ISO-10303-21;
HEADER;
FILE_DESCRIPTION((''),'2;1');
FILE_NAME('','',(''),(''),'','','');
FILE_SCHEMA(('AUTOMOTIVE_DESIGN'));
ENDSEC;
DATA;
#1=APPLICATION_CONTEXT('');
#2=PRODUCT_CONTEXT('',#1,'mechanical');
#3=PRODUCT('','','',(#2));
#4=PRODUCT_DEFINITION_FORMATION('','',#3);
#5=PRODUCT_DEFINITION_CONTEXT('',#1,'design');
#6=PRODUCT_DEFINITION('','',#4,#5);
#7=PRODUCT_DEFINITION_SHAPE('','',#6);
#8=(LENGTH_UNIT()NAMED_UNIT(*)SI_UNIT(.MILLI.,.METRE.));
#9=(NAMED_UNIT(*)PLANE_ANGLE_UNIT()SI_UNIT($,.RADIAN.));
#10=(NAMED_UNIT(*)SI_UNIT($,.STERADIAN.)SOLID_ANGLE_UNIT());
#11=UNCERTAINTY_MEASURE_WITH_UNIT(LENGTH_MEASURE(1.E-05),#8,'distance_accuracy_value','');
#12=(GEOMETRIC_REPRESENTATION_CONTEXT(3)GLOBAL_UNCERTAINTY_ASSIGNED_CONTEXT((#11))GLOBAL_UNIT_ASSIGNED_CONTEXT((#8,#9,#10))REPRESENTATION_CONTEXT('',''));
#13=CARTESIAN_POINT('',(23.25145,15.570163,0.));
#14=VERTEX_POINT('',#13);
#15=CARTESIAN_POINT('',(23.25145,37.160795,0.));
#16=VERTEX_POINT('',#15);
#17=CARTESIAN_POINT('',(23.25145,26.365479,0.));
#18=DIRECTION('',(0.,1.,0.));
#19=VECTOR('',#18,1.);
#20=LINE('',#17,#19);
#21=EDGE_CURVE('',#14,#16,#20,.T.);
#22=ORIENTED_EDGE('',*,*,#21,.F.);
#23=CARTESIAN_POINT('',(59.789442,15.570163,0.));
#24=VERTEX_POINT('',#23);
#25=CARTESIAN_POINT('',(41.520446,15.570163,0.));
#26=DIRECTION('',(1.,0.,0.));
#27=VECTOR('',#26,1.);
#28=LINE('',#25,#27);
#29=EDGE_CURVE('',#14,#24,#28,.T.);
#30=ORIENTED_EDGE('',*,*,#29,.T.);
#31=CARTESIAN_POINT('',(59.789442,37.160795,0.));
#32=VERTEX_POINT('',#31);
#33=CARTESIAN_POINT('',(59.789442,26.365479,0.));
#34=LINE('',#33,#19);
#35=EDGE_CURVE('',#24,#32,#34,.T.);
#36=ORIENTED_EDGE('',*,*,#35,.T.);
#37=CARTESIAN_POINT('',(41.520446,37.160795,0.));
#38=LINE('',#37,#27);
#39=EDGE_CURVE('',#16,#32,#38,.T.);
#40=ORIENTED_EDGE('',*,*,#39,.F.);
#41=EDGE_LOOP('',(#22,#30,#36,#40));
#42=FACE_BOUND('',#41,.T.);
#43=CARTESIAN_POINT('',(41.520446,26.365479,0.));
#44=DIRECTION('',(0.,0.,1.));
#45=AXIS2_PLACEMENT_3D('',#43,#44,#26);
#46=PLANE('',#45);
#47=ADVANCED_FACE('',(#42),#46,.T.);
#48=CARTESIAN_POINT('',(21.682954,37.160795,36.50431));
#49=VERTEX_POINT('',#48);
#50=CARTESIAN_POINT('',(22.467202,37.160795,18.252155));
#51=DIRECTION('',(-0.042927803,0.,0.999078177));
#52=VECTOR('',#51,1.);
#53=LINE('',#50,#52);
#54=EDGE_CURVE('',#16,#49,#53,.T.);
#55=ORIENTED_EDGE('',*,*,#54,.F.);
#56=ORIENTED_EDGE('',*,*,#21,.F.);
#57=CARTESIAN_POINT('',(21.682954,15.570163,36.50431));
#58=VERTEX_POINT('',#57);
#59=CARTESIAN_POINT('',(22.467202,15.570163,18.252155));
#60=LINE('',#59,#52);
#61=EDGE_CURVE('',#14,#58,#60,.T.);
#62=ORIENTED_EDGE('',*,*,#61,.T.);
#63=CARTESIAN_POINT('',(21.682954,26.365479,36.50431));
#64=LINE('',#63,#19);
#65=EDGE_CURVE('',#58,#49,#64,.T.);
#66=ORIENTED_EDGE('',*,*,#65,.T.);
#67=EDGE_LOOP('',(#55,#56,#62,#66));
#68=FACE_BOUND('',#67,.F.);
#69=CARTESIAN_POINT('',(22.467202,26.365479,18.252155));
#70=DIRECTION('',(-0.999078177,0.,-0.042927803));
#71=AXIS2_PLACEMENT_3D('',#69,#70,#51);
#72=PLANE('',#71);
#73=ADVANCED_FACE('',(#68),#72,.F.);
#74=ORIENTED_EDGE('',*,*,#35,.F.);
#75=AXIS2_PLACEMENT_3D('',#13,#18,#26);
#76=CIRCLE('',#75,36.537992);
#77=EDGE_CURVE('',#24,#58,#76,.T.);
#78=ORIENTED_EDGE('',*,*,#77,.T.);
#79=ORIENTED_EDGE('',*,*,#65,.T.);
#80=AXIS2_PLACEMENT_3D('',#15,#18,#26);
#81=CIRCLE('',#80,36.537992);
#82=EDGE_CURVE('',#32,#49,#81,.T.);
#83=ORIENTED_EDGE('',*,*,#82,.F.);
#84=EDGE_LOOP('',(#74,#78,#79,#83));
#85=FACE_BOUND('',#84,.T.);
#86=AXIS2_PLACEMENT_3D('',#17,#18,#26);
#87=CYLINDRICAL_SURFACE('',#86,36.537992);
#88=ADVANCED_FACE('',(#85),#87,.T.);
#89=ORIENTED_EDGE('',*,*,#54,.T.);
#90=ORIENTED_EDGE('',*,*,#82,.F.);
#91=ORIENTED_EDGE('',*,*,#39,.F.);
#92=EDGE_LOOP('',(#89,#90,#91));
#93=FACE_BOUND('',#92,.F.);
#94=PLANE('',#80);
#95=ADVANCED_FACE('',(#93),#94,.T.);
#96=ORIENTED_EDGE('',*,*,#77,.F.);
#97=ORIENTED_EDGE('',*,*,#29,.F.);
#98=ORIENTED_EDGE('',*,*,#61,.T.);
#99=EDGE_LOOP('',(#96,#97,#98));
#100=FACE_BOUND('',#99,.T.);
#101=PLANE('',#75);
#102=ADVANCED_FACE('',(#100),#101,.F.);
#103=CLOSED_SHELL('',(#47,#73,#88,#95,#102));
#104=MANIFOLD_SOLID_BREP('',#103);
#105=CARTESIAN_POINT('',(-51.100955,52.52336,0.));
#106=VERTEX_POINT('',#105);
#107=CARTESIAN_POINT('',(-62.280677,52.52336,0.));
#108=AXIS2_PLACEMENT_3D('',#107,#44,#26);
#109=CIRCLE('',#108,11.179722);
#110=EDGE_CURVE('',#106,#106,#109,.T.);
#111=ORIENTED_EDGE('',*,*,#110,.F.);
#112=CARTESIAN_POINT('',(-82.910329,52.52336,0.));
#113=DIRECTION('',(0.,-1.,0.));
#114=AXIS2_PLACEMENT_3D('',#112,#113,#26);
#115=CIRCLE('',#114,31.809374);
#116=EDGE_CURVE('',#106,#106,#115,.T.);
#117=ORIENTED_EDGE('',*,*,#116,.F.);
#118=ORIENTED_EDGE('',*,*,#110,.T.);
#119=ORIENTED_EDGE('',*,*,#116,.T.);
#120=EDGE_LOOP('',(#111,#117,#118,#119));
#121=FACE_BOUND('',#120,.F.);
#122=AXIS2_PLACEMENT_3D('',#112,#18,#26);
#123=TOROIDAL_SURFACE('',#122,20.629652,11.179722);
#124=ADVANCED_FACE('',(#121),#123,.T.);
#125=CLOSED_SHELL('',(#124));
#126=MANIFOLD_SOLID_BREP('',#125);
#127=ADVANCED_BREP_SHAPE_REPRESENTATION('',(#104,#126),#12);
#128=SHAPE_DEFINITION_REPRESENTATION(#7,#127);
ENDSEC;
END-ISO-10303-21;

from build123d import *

# Parameters (mm, degrees)
F0_W     = 36.537992
F0_H     = 21.590633
F1_ANGLE = -267.539662
F0_R     = 11.179722


with BuildPart() as f1:
    # F0 (on Top) → F1 (revolve)
    with BuildSketch(Plane.XY):
        with Locations((41.520446, 26.365479)):
            Rectangle(F0_W, F0_H)
    revolve(axis=Axis((23.25145, 26.365479, 0), (0, -1, 0)), revolution_arc=F1_ANGLE)


with BuildPart() as f2:
    # F0 (on Top) → F2 (revolve)
    with BuildSketch(Plane.XY):
        with Locations((-62.280677, 52.52336)):
            Circle(F0_R)
    revolve(axis=Axis((-82.910329, 50.982073, 0), (0, -1, 0)))


solid = Compound([f1.part, f2.part])
